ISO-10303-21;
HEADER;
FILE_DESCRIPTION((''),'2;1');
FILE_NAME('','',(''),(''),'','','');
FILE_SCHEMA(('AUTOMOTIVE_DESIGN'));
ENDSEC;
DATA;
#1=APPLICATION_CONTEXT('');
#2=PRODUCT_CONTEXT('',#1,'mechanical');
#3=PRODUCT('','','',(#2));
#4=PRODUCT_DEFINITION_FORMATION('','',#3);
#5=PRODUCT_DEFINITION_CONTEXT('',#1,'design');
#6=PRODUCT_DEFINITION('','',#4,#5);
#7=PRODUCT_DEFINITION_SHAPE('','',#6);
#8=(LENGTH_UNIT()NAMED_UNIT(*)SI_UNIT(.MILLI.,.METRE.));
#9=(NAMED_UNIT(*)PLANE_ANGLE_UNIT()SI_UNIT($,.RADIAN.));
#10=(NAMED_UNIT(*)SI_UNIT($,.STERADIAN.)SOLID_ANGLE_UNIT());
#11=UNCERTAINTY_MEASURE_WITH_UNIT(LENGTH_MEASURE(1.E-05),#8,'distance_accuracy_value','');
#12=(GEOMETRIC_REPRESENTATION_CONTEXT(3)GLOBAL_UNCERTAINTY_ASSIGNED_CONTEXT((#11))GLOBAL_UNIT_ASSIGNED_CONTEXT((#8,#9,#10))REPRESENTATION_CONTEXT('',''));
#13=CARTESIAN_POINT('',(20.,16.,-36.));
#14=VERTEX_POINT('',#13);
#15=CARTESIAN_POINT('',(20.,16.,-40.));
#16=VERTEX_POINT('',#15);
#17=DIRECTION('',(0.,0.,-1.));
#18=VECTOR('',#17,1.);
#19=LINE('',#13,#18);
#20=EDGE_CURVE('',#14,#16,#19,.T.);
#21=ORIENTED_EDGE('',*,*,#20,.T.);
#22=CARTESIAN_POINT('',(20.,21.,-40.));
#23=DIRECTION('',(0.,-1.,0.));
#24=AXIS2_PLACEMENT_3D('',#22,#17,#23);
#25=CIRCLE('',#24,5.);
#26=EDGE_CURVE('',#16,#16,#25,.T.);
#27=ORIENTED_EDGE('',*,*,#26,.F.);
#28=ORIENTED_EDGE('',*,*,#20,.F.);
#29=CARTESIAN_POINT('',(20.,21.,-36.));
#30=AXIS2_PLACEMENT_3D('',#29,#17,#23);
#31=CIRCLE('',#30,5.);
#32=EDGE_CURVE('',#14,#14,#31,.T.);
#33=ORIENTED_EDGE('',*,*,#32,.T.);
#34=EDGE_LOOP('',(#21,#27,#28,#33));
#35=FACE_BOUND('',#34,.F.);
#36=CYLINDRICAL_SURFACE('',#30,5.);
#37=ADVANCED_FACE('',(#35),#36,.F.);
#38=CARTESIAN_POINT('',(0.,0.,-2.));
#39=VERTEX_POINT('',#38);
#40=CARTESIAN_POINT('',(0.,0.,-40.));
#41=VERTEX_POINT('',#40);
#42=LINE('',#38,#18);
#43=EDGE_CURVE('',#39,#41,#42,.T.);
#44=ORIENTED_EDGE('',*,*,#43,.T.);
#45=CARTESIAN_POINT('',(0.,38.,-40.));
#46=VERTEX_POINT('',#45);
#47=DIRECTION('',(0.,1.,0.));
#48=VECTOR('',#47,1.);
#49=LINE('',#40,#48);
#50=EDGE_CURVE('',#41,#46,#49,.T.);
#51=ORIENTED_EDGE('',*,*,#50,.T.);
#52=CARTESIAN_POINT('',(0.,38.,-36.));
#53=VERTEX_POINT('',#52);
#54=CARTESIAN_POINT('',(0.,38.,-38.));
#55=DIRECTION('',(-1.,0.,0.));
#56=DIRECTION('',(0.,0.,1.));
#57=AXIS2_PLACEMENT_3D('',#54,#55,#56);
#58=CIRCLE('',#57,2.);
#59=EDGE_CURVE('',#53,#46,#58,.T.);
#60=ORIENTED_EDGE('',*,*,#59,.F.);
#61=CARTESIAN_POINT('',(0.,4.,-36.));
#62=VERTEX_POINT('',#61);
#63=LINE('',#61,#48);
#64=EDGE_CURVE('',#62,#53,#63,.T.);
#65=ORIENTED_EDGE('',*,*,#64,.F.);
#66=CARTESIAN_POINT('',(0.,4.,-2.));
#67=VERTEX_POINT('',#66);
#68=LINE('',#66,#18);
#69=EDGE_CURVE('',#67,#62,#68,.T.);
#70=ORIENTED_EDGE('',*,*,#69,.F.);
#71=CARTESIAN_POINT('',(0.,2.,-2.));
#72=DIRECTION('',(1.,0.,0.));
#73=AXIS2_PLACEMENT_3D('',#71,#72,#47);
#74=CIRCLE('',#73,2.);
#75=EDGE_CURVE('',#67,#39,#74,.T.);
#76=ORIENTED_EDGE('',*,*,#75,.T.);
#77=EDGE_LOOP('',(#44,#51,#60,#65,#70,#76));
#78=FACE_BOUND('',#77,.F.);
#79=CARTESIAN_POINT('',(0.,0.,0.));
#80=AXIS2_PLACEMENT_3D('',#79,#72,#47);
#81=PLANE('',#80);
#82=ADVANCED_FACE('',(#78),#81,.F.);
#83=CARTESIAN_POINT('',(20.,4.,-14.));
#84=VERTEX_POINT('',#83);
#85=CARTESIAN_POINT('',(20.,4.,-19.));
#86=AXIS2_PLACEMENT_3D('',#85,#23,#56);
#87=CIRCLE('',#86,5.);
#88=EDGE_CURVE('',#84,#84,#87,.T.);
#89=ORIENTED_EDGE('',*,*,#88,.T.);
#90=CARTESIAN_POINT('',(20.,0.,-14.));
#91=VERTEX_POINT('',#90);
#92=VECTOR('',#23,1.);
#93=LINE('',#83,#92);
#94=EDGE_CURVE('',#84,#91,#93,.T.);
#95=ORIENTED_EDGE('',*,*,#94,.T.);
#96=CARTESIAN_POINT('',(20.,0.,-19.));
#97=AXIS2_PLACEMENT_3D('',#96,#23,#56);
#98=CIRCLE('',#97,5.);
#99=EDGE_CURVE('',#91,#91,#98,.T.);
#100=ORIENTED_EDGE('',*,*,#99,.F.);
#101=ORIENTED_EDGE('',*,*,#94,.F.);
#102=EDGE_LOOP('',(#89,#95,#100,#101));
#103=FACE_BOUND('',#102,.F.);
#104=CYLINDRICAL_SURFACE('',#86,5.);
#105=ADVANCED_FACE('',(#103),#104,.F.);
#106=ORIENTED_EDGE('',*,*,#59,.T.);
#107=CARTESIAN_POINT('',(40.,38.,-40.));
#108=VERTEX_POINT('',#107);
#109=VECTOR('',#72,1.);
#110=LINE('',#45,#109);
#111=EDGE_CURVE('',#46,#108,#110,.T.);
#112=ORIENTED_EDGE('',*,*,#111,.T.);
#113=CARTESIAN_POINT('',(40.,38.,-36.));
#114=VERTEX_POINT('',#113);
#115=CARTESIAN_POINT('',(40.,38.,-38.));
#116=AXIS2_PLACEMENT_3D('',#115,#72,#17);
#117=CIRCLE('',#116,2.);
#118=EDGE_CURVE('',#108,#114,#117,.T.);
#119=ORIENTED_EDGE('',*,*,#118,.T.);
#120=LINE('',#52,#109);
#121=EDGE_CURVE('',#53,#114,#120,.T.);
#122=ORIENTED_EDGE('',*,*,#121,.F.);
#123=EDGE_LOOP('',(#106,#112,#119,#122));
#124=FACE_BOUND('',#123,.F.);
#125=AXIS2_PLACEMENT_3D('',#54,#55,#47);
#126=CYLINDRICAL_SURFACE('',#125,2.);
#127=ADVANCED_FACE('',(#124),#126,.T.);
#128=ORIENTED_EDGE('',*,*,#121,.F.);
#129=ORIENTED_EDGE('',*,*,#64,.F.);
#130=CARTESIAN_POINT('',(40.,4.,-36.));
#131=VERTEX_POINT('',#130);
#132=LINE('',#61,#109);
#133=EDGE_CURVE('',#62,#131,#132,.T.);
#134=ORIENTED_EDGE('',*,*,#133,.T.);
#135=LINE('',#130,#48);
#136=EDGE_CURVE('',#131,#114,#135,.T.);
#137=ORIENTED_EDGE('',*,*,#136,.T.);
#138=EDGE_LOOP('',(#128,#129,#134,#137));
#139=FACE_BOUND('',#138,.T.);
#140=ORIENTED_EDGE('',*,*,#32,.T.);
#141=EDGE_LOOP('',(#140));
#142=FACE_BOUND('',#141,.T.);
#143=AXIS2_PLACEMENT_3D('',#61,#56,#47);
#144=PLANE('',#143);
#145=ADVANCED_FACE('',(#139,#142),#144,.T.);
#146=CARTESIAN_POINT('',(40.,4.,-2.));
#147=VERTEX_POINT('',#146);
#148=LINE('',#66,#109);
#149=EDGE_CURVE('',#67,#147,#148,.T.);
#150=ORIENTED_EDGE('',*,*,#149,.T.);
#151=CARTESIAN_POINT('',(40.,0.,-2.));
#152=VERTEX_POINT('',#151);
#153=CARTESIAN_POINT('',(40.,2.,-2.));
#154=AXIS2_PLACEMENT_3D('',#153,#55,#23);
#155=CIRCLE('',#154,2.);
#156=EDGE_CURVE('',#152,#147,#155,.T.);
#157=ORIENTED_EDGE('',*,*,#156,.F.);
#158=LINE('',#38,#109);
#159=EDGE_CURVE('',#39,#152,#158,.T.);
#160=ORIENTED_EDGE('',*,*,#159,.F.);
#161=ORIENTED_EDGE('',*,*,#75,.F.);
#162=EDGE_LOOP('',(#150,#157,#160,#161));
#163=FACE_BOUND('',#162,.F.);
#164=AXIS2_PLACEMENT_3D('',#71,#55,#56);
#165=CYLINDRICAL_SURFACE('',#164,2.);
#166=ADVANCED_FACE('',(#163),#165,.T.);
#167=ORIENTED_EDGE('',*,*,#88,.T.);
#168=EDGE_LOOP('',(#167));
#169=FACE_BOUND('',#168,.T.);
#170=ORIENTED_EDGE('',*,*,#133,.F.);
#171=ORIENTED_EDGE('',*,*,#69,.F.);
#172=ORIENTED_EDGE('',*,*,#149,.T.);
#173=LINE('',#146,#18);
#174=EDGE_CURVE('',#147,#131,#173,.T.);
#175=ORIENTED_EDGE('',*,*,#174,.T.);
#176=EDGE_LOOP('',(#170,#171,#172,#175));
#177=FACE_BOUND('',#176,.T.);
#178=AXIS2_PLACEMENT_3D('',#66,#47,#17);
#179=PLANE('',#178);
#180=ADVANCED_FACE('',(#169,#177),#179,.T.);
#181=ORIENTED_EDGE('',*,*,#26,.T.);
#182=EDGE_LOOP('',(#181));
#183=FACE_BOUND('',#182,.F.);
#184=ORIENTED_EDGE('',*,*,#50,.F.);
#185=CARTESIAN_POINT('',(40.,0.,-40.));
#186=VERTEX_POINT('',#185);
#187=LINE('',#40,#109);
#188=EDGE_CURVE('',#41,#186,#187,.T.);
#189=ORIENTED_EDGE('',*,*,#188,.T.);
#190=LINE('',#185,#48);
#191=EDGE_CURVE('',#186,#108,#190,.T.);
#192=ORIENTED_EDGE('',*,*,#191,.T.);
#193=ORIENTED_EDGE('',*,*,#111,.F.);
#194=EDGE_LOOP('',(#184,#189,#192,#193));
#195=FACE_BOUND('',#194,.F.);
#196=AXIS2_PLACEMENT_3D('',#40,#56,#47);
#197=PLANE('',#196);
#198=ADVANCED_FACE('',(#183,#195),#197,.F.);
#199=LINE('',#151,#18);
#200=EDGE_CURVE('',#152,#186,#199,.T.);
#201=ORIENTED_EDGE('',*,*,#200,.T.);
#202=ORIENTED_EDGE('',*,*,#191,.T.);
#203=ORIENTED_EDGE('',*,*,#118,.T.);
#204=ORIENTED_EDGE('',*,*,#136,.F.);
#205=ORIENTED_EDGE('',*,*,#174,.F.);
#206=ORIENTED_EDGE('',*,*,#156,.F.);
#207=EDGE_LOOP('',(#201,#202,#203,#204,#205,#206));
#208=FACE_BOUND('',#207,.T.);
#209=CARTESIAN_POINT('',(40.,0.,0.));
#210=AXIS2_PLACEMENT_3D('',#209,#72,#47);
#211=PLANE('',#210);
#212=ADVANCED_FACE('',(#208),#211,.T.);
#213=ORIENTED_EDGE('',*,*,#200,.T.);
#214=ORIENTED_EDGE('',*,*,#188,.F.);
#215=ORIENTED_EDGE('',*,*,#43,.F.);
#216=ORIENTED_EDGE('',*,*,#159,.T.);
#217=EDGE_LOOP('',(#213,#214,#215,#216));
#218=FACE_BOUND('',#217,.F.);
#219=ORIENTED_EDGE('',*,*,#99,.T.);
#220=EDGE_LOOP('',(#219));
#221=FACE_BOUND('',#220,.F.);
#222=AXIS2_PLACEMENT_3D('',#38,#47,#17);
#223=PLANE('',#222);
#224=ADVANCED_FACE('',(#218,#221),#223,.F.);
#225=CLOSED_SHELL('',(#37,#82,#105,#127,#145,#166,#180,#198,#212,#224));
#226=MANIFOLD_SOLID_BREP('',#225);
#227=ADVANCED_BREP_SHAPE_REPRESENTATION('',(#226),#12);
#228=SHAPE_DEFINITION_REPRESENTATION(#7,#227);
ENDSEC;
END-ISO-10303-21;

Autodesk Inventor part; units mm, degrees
ref_plane "YZ Plane" through (0, 0, 0) normal (1, 0, 0) x (0, 1, 0)
ref_plane "XZ Plane" through (0, 0, 0) normal (0, 1, 0) x (-1, 0, 0)
ref_plane "XY Plane" through (0, 0, 0) normal (0, 0, 1) x (1, 0, 0)
sketch "Sketch1" plane through (0, 0, 0) normal (1, 0, 0) x (0, 1, 0)
  line L0 (0, -2) -> (0, -40)
  line L1 (0, -40) -> (38, -40)
  line L2 (4, -2) -> (4, -36)
  line L3 (4, -36) -> (38, -36)
  line L4 (2, 0) -> (2, 0)
  line L5 (40, -38) -> (40, -38)
  arc A0 (40, -38) -> (38, -36) centre (38, -38) ccw
  arc A1 (38, -40) -> (40, -38) centre (38, -38) ccw
  arc A2 (4, -2) -> (2, 0) centre (2, -2) ccw
  arc A3 (2, 0) -> (0, -2) centre (2, -2) ccw
  point P0 (0, 0)
  point P1 (40, -40)
  point P2 (2, 0)
  dimension "d0" = 40
  dimension "d1" = 40
  dimension "d2" = 4
  dimension "d3" = 2
extrude "Extrusion1" add sketch "Sketch1" along normal blind 40
sketch "Sketch2" plane through (0, 4, -2) normal (0, 1, 0) x (1, 0, 0)
  line L0 (0, 34) -> (0, 0) projected
  line L1 (0, 0) -> (40, 0) projected
  line L2 (40, 34) -> (40, 0) projected
  line L3 (0, 34) -> (40, 34) projected
  point P0 (0, -2)
  point P1 (20, 17)
hole "Hole1" at (20, 4, -19) direction (0, -1, 0) diameter 10 end through all
sketch "Sketch3" plane through (0, 4, -36) normal (0, 0, 1) x (1, 0, 0)
  line L0 (0, 34) -> (0, 0) construction
  line L1 (0, 0) -> (40, 0) construction
  line L2 (40, 34) -> (40, 0) construction
  line L3 (0, 34) -> (40, 34) construction
  point P0 (0, -4)
  point P1 (20, 17)
hole "Hole2" at (20, 21, -36) direction (0, 0, -1) diameter 10 end through all
properties part number "LVas"
